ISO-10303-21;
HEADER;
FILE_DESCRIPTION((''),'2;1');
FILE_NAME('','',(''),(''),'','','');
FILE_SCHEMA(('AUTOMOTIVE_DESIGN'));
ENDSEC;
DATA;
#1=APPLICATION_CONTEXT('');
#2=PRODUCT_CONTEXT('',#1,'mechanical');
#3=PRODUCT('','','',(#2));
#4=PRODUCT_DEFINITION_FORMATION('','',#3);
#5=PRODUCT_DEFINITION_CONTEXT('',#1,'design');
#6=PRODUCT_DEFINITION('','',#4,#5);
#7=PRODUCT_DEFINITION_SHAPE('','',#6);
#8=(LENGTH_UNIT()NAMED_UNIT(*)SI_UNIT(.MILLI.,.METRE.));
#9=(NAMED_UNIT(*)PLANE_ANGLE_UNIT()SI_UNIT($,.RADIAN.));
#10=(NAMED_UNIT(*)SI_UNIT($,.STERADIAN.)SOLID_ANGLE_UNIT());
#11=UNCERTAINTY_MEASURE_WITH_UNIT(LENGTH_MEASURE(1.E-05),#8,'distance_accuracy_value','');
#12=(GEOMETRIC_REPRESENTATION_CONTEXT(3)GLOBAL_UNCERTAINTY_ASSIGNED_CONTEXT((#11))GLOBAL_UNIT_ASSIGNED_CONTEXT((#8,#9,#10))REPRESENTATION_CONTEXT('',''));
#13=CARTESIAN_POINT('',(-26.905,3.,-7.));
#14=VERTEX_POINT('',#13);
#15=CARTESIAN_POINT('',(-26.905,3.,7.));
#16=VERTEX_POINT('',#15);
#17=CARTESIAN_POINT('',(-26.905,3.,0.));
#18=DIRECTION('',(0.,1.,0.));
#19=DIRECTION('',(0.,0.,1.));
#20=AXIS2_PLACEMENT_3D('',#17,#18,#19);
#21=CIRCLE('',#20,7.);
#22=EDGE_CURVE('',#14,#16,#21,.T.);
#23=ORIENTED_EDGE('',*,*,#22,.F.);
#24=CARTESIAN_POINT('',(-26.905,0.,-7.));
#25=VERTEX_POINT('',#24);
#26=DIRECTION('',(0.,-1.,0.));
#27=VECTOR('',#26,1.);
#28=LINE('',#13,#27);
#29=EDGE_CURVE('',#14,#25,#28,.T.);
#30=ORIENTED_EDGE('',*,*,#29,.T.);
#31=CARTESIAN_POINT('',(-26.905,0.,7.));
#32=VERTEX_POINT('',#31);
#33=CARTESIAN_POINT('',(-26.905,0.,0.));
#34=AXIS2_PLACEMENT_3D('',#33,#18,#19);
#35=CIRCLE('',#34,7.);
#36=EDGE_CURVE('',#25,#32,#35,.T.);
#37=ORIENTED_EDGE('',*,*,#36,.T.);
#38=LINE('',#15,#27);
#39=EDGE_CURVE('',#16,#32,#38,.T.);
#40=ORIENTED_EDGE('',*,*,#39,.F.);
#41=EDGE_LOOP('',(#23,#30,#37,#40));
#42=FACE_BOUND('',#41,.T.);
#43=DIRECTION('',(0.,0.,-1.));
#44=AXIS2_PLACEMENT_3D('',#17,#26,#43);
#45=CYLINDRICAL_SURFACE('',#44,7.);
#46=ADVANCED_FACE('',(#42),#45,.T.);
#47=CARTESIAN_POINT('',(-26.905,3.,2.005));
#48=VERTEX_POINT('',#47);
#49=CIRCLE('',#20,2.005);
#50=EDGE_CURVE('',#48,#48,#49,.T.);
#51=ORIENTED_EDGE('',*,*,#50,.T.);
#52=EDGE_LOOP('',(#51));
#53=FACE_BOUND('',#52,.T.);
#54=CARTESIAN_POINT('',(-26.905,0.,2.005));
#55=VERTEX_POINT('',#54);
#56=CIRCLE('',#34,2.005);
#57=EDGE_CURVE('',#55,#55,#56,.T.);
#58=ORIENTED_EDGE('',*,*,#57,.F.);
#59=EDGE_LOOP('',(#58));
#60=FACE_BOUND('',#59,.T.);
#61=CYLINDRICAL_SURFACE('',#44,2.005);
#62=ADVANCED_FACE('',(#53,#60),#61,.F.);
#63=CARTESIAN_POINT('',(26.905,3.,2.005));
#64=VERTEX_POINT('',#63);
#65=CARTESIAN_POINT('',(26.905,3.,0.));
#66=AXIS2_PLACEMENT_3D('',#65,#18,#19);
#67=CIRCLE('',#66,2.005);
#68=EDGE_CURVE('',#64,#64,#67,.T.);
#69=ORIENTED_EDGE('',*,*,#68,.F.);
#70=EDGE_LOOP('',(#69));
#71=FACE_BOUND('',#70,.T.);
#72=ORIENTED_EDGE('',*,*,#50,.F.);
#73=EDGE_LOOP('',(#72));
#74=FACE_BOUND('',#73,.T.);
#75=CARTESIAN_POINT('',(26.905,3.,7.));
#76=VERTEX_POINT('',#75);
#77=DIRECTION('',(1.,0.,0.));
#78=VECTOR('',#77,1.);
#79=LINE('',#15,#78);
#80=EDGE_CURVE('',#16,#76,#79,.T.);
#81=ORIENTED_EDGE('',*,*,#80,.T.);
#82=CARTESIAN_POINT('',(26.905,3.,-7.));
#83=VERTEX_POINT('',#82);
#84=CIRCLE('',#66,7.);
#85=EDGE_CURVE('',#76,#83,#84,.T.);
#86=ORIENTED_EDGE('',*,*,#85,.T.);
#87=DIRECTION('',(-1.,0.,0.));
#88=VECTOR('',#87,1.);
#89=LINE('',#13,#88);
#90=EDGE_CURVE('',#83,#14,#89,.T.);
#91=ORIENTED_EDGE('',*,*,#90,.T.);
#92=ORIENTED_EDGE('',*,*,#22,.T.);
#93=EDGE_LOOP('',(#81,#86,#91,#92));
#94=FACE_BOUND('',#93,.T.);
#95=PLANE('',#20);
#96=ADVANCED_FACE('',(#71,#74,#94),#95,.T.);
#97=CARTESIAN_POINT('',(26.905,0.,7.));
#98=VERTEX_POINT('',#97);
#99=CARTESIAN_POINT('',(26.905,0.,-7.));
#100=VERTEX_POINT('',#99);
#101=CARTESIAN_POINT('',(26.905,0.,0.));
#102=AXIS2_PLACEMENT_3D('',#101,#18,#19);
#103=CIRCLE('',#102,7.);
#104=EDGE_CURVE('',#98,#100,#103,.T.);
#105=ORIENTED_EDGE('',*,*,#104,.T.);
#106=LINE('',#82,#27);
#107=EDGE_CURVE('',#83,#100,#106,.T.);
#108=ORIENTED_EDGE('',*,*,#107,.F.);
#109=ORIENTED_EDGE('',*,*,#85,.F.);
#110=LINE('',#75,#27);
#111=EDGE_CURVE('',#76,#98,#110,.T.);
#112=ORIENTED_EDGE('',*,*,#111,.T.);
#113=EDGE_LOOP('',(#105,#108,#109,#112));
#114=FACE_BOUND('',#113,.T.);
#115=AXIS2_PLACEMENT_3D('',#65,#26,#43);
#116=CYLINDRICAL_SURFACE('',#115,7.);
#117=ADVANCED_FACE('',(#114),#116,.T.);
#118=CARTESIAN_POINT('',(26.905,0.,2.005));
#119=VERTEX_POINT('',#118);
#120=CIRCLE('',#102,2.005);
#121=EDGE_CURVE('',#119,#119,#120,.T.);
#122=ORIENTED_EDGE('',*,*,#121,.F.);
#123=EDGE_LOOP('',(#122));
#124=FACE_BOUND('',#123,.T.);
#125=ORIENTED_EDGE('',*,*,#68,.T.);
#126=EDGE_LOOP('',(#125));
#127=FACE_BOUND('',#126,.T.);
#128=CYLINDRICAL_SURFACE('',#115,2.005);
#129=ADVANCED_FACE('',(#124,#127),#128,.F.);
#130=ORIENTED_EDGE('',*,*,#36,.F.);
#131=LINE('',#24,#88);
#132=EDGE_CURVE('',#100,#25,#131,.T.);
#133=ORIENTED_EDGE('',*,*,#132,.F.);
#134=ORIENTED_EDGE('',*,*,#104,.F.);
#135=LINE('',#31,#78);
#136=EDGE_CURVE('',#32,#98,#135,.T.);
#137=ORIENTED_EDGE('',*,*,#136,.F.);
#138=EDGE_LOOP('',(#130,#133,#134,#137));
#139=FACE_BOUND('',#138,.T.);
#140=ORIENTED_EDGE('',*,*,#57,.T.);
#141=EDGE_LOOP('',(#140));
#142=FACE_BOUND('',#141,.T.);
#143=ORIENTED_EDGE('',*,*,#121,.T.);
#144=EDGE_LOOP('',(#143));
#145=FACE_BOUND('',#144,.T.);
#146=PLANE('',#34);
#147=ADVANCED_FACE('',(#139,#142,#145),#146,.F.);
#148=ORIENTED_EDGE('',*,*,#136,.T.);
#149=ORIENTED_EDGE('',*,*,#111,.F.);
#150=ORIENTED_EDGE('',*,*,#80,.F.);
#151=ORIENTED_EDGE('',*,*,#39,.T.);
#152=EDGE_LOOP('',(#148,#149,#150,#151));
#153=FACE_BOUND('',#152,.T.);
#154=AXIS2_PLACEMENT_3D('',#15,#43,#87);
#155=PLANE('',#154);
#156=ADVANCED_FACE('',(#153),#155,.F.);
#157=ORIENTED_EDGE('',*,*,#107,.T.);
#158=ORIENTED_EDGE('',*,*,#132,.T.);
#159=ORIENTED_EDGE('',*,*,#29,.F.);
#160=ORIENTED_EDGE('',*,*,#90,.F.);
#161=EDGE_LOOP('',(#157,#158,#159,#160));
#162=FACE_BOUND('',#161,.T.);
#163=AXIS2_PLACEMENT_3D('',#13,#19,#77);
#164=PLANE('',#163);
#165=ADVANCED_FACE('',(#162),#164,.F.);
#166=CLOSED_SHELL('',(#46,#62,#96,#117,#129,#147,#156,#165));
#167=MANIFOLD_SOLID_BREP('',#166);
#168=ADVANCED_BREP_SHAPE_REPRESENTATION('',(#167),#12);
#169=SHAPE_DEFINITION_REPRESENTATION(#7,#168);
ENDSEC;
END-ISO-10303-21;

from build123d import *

# Parameters (mm, degrees)
SKETCH1_R           = 2.005
BOSS_EXTRUDE1_DEPTH = 3


with BuildPart() as part:
    # Sketch1 → Boss-Extrude1 (new body)
    with BuildSketch(Plane(origin=(0, 0, 0), x_dir=(1, 0, 0), z_dir=(0, 1, 0))):
        with BuildLine():
            Line((-26.905, 7), (26.905, 7))
            ThreePointArc((26.905, 7), (33.905, 0), (26.905, -7))
            Line((26.905, -7), (-26.905, -7))
            ThreePointArc((-26.905, -7), (-33.905, 0), (-26.905, 7))
        make_face()
        with Locations(Location((-26.905, 0, 0), (0, 0, 270))):
            Circle(SKETCH1_R, mode=Mode.SUBTRACT)
        with Locations(Location((26.905, 0, 0), (0, 0, 270))):
            Circle(SKETCH1_R, mode=Mode.SUBTRACT)
    extrude(amount=BOSS_EXTRUDE1_DEPTH)


solid = part.part
